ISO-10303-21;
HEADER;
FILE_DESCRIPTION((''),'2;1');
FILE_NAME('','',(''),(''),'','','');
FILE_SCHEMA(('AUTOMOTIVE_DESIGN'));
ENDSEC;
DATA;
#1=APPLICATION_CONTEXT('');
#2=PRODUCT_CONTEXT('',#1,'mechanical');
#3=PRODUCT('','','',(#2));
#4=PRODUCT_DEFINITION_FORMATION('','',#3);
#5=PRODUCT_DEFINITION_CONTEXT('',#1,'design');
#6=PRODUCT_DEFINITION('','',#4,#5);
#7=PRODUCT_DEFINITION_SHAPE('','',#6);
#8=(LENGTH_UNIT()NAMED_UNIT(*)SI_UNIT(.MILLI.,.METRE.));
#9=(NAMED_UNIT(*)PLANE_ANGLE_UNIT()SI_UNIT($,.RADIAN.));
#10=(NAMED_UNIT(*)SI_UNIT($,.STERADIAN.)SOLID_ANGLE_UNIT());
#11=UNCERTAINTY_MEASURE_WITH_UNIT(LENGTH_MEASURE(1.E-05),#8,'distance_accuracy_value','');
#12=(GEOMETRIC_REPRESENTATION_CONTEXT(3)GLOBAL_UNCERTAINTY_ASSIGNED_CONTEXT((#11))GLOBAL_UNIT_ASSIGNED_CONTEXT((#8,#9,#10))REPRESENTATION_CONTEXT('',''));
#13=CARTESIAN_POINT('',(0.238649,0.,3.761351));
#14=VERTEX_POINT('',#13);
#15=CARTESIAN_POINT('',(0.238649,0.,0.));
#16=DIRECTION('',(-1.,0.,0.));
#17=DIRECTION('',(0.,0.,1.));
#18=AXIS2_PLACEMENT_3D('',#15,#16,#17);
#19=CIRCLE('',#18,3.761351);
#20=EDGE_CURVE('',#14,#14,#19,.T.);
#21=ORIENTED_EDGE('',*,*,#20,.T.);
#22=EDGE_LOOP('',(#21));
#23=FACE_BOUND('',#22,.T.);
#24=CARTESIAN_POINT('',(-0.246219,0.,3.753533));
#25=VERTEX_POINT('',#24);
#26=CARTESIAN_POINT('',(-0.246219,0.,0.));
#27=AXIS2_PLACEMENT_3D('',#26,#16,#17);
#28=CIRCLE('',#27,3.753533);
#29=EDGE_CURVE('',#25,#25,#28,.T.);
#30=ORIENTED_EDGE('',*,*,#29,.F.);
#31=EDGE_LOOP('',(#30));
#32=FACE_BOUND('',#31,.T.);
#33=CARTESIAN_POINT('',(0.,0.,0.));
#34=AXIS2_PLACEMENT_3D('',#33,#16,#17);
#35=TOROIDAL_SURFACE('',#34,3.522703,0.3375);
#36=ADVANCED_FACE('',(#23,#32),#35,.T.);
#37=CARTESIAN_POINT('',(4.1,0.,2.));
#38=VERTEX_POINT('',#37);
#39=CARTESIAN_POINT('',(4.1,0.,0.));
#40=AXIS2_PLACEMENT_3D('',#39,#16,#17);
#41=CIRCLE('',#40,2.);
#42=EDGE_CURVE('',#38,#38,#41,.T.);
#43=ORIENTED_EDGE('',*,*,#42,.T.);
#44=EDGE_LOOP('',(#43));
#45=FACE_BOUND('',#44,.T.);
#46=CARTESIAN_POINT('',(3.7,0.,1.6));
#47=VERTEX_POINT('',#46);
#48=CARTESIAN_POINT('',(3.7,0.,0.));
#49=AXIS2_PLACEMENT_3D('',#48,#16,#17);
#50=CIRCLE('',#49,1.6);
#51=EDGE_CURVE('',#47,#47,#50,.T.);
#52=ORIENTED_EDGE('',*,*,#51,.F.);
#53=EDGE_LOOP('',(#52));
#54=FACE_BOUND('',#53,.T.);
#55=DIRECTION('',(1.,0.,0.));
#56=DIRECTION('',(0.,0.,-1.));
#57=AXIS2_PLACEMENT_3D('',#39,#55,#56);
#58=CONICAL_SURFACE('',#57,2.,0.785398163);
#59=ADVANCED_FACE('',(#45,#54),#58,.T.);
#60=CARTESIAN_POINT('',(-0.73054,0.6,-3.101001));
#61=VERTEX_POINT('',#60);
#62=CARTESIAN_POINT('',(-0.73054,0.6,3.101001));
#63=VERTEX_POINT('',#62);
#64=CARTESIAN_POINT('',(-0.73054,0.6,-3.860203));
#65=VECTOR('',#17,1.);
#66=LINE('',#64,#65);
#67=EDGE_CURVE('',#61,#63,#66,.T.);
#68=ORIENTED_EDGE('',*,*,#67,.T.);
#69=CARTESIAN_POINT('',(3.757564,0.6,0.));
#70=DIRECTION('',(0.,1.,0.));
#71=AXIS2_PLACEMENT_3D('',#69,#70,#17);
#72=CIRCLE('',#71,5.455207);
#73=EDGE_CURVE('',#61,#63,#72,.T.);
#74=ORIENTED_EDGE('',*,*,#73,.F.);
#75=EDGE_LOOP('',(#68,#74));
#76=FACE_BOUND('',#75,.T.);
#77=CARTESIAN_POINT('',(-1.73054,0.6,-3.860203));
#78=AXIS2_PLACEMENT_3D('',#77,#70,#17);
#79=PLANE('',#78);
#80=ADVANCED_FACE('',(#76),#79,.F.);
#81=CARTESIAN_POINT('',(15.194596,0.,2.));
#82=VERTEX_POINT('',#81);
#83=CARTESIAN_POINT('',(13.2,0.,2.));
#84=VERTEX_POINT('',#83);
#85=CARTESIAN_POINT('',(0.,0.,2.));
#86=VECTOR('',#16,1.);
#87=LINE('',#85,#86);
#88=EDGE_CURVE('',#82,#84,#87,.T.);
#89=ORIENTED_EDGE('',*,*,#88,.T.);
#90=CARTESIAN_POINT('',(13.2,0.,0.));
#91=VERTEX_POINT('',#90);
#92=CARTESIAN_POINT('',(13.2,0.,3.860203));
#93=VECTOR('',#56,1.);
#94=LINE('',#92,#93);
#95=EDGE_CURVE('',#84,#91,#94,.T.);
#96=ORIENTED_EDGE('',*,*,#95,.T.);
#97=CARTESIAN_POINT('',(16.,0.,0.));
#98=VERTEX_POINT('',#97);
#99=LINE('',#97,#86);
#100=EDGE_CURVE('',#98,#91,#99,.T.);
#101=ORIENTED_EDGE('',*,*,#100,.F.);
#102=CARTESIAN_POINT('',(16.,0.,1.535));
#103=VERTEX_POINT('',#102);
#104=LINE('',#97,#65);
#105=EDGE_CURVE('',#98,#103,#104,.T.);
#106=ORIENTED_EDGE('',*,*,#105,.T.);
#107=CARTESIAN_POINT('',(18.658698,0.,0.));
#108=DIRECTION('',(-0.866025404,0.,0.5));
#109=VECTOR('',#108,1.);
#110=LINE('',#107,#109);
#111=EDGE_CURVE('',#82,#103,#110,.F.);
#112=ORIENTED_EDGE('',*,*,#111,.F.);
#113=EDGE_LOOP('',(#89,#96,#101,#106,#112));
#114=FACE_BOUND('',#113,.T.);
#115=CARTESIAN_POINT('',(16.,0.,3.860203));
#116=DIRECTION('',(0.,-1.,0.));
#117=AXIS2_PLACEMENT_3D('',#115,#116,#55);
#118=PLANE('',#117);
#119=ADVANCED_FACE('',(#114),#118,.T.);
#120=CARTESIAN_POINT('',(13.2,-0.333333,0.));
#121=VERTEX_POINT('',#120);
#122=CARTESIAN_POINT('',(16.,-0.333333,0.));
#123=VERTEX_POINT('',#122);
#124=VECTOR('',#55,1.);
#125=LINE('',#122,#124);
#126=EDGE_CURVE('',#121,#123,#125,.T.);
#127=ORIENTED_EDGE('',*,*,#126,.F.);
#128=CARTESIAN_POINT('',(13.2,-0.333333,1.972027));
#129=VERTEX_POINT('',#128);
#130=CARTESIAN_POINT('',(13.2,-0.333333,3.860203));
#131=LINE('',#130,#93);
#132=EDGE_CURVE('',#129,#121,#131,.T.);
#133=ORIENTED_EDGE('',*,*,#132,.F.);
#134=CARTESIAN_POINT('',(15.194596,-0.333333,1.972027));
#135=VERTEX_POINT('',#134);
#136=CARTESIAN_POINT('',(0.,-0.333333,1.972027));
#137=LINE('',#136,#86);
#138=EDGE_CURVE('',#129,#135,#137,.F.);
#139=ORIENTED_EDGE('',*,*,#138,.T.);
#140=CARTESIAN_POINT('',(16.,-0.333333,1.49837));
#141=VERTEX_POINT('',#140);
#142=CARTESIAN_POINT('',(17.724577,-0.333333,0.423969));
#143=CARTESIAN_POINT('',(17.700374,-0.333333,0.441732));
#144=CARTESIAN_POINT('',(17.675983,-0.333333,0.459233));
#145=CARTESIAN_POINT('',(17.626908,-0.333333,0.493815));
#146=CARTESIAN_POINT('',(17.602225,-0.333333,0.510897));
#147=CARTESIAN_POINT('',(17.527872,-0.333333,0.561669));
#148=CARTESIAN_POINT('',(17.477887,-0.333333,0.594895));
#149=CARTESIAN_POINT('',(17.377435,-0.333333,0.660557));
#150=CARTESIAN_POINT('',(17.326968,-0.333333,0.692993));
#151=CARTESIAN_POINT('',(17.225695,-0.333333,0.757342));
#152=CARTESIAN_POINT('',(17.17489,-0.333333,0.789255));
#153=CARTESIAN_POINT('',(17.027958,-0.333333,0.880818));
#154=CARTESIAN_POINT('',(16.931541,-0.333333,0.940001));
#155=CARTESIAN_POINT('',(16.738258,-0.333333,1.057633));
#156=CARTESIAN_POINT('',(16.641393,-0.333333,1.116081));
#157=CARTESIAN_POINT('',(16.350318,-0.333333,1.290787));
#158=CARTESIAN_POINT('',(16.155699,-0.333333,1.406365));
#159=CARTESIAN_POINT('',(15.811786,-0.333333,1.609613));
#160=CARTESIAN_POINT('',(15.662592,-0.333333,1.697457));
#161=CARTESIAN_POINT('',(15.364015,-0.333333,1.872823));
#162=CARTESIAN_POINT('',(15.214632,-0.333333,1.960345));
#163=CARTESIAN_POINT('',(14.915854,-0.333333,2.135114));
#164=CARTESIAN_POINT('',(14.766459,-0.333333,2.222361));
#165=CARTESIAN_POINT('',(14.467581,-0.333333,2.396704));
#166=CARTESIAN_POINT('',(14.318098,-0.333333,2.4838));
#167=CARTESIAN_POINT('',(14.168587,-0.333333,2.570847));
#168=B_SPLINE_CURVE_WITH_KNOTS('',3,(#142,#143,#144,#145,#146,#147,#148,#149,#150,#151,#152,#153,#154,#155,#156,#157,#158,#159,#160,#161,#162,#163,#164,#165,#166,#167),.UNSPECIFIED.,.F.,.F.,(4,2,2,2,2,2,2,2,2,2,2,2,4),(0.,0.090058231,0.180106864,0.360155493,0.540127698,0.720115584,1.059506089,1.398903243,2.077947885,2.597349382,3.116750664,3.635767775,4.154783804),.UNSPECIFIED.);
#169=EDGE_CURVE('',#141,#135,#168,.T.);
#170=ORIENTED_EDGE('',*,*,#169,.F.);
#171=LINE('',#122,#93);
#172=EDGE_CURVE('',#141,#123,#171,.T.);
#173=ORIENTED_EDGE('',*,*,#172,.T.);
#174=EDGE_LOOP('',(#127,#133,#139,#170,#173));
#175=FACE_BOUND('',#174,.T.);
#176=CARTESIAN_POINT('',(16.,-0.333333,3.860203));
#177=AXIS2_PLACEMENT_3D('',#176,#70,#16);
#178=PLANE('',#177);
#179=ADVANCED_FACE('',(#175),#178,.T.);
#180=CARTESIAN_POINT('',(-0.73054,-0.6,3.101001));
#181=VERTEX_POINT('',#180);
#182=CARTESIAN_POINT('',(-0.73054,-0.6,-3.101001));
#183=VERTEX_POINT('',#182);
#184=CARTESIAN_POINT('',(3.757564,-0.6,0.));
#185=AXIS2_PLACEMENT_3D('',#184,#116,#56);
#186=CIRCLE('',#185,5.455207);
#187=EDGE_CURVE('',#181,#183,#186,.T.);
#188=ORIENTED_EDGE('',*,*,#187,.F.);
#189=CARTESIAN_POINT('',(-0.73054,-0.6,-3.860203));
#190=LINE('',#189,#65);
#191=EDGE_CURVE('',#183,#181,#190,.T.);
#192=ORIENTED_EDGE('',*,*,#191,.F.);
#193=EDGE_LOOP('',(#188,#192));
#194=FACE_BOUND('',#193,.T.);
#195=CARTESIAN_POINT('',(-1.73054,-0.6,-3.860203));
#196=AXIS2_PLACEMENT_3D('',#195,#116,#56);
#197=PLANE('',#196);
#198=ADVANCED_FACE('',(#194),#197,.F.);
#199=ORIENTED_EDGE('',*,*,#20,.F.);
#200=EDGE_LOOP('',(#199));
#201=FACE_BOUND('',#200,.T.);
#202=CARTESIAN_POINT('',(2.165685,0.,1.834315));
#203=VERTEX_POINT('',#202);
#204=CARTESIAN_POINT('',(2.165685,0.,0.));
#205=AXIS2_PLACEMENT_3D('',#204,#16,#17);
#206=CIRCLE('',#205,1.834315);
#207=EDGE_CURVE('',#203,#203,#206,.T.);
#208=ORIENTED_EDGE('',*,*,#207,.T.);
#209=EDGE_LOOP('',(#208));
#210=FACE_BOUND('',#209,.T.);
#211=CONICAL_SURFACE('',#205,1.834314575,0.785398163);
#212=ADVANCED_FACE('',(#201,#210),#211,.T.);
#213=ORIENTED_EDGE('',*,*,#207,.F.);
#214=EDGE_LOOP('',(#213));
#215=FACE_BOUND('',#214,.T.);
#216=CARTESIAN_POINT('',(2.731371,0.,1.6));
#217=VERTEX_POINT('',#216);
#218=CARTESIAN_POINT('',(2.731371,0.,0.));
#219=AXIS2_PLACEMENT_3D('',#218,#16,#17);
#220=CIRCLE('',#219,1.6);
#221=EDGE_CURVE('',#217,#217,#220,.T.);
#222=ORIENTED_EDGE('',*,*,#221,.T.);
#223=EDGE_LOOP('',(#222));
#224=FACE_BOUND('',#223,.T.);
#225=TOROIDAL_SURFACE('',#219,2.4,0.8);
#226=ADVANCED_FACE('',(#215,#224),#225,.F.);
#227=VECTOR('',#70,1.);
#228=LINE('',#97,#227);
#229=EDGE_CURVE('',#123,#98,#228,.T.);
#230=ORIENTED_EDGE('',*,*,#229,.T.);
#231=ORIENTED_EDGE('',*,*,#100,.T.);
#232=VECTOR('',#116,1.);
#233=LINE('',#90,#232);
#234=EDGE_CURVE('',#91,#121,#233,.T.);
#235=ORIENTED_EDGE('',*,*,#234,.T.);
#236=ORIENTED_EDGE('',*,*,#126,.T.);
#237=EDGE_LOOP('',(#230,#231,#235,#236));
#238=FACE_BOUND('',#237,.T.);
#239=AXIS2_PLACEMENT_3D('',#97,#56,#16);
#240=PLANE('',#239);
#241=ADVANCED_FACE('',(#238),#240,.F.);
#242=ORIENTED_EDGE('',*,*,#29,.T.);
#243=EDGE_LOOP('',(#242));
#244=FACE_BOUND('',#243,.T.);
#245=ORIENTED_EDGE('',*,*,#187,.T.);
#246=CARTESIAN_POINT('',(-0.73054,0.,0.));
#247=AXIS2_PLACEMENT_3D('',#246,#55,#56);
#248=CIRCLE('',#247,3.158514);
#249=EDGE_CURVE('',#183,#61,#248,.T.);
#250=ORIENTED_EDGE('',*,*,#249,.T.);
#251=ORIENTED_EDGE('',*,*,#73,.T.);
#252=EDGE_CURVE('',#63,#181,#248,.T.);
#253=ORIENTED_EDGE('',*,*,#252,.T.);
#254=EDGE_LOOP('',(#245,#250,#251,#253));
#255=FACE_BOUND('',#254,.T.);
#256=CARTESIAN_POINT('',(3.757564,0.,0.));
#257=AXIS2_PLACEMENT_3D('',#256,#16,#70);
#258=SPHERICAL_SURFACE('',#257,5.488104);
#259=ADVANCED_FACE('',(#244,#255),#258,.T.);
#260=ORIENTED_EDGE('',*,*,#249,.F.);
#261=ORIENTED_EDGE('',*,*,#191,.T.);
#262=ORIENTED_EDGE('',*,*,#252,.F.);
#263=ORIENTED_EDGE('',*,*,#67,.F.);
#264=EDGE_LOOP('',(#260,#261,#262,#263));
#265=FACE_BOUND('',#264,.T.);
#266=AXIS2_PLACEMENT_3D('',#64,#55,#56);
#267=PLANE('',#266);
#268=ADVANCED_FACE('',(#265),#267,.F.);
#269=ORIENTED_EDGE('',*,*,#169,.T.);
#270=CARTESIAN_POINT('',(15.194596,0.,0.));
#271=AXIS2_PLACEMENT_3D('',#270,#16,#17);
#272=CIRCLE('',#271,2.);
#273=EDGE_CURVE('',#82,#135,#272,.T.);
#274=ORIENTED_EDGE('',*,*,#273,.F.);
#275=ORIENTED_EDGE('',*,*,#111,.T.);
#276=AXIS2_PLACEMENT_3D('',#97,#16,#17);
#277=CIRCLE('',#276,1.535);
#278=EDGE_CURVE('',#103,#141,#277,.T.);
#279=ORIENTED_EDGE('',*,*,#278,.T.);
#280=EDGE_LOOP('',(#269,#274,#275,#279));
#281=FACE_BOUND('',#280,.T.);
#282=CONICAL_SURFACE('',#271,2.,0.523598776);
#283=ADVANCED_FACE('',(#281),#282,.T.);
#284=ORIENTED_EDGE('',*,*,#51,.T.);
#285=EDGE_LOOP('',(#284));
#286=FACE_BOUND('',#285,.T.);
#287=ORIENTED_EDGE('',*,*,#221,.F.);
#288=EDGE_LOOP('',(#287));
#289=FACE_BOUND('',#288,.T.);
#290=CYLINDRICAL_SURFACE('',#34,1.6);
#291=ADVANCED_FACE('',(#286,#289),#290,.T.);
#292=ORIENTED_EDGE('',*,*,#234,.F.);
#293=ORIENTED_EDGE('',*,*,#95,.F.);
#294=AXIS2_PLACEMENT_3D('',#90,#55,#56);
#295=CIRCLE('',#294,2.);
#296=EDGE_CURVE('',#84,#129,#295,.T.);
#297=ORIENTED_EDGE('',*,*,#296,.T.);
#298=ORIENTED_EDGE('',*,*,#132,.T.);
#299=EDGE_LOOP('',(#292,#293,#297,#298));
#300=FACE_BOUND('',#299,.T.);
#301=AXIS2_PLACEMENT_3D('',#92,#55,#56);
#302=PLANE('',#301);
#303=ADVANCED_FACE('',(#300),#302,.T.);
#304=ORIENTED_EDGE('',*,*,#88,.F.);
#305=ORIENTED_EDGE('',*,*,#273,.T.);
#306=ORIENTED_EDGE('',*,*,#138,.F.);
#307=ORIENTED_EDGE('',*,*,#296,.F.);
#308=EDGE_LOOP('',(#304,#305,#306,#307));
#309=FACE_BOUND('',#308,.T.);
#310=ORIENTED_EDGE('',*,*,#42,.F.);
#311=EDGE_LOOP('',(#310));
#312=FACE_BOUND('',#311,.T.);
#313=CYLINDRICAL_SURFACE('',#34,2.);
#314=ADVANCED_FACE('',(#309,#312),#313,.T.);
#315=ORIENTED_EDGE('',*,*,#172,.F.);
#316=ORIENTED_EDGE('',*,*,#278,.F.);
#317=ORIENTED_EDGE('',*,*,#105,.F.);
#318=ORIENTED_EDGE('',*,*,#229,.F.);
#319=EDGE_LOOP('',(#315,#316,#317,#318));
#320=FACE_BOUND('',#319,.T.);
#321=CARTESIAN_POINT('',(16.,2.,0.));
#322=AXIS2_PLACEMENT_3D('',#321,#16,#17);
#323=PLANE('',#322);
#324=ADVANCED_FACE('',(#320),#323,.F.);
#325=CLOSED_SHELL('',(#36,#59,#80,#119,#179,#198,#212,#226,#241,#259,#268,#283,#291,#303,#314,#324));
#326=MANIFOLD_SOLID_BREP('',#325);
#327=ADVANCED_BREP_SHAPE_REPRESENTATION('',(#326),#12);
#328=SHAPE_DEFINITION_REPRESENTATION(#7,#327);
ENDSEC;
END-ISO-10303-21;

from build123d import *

# Parameters (mm, degrees)
SLOT_CUT_EXTRUDE1_DEPTH      = 17.90568942
SLOT_CUT_EXTRUDE1_DEPTH_BACK = 17.90568942
SKETCH2_W                    = 1
SKETCH2_H                    = 1.2
SKETCH11_W                   = 2.8
SKETCH11_H                   = 0.333333333
POINT_CUT_EXTRUDE8_DEPTH     = 17.90568942


with BuildPart() as part:
    # Sketch1 → base-Revolve (revolve)
    with BuildSketch(Plane.XY, mode=Mode.PRIVATE) as base_revolve_sk:
        with BuildLine():
            Line((0.238648539, 3.761351461), (2.165685425, 1.834314575))
            ThreePointArc((2.165685425, 1.834314575), (2.425224104, 1.660896374), (2.73137085, 1.6))
            Line((2.73137085, 1.6), (3.7, 1.6))
            Line((3.7, 1.6), (4.1, 2))
            Line((4.1, 2), (16, 2))
            Line((16, 2), (16, 0))
            Line((16, 0), (0, 0))
            Line((0, 0), (-1.730540111, 0))
            ThreePointArc((-1.730540111, 0), (-1.345987021, 2.01818082), (-0.246219246, 3.753532584))
            ThreePointArc((-0.246219246, 3.753532584), (-0.005441747, 3.860159049), (0.238648539, 3.761351461))
        make_face()
    revolve(base_revolve_sk.sketch.rotate(Axis((0, 0, 0), (1, 0, 0)), 90), axis=Axis((0, 0, 0), (1, 0, 0)))

    # Sketch2 → slot_Cut-Extrude1 (cut, two sides: drawn at the far end of the back side and taken through both)
    with BuildSketch(Plane.XY.offset(-SLOT_CUT_EXTRUDE1_DEPTH_BACK)):
        with Locations((-1.230540111, 0)):
            Rectangle(SKETCH2_W, SKETCH2_H)
    extrude(amount=SLOT_CUT_EXTRUDE1_DEPTH + SLOT_CUT_EXTRUDE1_DEPTH_BACK, mode=Mode.SUBTRACT)

    # Sketch8 → point_Cut-Revolve1 (revolve, cut)
    with BuildSketch(Plane.XY, mode=Mode.PRIVATE) as point_cut_revolve1_sk:
        Polygon((16, 0), (16.508, 0), (16.508, 2.508), (15.194596374, 2.508), (15.194596374, 2), (16, 1.535), align=None)
    revolve(point_cut_revolve1_sk.sketch.rotate(Axis((0, 0, 0), (1, 0, 0)), 90), axis=Axis((0, 0, 0), (1, 0, 0)), mode=Mode.SUBTRACT)

    # Sketch11 → point_Cut-Extrude8 (cut, through all)
    with BuildSketch(Plane.XY):
        with Locations((14.6, -0.166666667)):
            Rectangle(SKETCH11_W, SKETCH11_H)
    extrude(amount=POINT_CUT_EXTRUDE8_DEPTH, mode=Mode.SUBTRACT)


solid = part.part
